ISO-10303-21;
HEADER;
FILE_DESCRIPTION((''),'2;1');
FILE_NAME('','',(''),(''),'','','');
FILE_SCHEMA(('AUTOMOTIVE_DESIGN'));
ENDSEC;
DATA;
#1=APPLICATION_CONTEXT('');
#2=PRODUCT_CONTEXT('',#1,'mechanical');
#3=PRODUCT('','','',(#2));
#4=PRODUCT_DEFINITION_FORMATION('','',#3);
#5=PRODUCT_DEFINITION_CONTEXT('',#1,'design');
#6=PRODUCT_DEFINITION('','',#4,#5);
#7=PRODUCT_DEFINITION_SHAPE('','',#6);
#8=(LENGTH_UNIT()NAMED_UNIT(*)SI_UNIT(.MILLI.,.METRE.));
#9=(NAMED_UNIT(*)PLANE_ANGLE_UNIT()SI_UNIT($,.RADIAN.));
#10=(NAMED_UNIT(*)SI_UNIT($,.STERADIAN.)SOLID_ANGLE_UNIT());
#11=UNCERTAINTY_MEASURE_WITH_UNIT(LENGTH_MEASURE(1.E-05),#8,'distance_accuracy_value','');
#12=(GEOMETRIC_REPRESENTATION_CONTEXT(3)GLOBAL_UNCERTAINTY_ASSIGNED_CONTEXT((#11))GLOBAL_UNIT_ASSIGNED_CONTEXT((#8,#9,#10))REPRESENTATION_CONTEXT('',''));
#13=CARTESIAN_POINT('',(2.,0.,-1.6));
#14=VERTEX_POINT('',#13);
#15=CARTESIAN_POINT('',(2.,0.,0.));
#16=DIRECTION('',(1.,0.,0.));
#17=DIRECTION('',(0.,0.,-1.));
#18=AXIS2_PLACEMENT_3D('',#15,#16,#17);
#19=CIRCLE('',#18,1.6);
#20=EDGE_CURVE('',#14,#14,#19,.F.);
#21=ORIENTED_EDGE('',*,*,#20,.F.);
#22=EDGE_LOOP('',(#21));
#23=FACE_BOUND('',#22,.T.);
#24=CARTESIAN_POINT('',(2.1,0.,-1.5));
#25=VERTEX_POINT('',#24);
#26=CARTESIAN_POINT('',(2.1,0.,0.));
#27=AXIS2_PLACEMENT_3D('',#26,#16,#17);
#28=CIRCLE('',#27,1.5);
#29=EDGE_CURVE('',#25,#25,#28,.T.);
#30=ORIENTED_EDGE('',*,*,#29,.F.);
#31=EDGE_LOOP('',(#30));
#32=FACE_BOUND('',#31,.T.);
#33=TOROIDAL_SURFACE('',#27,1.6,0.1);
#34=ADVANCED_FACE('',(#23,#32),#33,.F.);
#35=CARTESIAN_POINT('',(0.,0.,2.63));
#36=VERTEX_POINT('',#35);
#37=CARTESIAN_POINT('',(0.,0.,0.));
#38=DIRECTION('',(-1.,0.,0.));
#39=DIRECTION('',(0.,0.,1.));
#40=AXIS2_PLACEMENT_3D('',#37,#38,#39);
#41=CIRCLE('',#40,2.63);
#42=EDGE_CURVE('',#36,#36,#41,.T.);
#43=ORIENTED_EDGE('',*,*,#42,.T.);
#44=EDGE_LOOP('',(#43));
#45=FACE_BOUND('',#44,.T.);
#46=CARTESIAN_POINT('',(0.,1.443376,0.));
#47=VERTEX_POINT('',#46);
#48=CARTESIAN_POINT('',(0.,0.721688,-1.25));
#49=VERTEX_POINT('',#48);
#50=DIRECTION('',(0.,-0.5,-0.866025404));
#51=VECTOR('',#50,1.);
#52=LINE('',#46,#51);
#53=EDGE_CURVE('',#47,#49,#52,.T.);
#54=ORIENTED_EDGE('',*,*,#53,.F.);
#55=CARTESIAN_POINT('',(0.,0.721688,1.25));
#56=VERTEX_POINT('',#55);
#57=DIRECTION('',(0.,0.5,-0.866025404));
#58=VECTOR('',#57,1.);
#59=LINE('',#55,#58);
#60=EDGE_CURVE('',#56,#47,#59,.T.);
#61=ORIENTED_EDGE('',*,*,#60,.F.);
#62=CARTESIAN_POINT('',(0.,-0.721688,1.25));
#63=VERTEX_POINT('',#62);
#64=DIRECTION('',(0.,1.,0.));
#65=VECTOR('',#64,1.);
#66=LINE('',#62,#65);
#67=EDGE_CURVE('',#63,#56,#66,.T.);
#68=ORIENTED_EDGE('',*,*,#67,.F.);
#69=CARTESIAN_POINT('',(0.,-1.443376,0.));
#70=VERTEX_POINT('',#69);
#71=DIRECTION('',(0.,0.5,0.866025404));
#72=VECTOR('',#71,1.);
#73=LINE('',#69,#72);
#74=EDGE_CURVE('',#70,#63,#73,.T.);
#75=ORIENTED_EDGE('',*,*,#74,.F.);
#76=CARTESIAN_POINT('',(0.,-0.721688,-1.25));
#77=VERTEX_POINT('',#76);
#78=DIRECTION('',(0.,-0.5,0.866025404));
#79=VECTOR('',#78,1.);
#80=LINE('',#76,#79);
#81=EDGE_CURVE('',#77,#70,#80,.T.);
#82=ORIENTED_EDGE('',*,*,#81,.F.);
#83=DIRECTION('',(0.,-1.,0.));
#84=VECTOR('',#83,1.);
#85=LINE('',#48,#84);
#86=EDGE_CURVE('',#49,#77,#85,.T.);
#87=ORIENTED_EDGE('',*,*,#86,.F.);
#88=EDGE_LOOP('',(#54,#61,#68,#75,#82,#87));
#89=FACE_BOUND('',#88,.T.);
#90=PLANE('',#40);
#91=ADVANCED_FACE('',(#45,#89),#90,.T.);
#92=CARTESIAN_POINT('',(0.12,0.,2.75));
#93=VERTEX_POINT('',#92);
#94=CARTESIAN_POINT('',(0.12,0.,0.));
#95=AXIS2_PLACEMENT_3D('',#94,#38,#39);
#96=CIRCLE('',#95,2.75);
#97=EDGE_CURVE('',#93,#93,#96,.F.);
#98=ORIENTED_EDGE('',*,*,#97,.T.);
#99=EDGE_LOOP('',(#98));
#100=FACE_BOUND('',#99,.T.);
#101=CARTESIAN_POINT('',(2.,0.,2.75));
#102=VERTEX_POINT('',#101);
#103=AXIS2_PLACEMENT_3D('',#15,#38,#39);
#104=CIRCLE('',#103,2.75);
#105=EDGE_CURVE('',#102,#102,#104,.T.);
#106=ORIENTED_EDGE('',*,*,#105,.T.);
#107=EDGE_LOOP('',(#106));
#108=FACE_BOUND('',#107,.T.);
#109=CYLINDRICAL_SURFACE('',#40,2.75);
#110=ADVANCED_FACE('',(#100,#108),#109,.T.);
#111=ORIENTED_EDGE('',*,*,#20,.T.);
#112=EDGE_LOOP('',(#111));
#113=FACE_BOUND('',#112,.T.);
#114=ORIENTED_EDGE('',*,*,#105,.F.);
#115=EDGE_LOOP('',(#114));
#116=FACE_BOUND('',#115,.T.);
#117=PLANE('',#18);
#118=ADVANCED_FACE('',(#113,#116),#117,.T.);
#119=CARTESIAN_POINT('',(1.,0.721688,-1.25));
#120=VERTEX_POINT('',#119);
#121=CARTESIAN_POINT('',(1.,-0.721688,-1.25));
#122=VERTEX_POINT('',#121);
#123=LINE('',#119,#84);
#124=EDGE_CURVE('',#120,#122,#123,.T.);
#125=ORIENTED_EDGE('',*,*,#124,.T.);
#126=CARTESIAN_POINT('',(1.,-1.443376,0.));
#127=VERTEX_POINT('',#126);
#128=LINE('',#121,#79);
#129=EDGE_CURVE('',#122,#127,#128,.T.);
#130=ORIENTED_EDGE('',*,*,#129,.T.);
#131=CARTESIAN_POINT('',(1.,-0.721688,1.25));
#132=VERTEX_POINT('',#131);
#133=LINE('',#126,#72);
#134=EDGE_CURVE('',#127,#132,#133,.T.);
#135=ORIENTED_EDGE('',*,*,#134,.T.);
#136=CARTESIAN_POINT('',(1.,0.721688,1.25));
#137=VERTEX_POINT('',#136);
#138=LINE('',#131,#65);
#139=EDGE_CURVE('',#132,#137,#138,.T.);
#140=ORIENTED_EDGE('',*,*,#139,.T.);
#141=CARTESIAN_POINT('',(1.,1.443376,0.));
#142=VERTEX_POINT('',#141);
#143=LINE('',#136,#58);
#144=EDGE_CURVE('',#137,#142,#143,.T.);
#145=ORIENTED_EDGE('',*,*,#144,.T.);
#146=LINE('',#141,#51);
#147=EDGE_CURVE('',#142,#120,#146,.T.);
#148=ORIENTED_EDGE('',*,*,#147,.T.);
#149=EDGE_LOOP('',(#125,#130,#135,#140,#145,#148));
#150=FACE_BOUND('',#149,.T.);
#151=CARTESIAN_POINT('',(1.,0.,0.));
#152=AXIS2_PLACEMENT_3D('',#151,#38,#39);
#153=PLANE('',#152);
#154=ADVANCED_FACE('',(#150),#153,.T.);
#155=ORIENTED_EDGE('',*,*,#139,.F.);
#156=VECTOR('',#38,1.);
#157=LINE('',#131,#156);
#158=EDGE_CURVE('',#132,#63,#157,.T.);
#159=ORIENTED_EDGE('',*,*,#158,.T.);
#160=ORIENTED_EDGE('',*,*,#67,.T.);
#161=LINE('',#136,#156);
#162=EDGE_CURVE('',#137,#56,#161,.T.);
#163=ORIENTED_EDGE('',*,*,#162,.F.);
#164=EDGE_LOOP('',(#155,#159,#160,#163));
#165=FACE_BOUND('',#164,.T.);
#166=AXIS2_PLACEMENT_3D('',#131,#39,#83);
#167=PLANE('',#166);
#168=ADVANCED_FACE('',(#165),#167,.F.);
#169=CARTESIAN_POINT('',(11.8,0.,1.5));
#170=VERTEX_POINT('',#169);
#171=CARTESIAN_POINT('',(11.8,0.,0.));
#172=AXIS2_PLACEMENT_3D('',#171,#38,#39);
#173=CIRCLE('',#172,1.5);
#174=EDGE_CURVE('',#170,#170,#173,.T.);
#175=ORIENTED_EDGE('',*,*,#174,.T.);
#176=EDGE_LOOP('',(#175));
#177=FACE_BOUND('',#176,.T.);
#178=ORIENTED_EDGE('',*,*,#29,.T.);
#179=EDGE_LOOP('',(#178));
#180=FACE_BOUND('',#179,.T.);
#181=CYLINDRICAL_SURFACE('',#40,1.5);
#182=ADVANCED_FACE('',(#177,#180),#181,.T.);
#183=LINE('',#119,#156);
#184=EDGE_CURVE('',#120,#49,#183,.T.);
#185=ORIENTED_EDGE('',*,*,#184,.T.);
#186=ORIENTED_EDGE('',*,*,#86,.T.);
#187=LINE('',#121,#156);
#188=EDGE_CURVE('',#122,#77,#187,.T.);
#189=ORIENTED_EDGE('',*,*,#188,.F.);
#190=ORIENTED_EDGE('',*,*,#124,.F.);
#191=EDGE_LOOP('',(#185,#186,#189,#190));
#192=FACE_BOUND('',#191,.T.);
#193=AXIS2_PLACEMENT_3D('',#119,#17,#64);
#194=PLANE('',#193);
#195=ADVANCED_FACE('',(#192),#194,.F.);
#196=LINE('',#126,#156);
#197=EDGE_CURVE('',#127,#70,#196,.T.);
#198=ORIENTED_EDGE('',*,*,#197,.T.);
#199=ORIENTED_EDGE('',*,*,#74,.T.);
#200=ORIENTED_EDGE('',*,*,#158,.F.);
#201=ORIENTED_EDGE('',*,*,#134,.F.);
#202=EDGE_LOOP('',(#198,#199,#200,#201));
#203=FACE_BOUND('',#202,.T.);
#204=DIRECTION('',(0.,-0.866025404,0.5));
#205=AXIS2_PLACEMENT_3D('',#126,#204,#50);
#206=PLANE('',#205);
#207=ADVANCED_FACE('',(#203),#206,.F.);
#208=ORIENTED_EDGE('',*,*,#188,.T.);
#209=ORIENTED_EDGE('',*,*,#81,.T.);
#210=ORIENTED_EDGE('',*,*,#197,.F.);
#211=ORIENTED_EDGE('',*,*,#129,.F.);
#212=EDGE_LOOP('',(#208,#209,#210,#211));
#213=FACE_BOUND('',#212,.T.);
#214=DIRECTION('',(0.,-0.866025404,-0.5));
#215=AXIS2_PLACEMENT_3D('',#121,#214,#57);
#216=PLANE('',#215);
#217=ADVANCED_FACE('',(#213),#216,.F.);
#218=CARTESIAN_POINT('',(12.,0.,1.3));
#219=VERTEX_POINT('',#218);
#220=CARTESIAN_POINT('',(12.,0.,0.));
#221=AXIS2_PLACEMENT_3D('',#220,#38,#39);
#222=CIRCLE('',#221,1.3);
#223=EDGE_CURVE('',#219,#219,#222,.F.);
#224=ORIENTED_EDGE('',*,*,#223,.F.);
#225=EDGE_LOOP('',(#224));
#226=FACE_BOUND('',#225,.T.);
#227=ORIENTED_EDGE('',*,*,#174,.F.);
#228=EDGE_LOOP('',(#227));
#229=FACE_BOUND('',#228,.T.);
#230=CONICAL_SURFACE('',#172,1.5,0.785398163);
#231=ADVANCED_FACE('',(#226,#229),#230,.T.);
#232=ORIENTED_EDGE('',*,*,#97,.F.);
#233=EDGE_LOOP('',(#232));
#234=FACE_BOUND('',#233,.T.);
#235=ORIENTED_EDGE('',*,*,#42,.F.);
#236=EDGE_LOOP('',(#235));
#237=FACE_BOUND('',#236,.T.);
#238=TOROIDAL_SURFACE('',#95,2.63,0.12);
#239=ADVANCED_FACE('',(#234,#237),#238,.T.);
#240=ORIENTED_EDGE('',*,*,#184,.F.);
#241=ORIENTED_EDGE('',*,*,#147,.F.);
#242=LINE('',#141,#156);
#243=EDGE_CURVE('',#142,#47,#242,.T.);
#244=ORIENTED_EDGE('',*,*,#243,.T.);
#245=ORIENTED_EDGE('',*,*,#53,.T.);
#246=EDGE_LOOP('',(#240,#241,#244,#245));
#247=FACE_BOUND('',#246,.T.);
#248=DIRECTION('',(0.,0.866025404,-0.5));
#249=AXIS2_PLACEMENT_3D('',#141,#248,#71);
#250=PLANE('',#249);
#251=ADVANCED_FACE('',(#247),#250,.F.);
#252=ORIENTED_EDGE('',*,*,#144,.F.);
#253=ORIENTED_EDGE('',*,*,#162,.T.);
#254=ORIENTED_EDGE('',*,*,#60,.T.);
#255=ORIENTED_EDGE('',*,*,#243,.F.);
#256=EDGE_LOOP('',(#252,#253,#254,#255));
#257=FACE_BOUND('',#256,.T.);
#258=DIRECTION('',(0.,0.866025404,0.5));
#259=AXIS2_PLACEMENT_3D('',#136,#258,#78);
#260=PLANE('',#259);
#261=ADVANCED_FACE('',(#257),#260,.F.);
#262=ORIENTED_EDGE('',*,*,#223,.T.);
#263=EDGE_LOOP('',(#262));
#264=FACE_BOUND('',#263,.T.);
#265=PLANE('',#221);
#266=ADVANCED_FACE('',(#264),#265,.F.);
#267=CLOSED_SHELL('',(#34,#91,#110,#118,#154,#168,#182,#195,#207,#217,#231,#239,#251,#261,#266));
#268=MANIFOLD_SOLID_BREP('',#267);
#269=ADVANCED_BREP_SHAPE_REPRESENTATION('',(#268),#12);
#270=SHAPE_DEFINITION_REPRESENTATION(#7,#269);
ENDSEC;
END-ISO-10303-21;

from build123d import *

# Parameters (mm, degrees)
FILLET1_R      = 0.1
FILLET2_R      = 0.12
CHAMFER1_SIZE  = 0.2
EXTRUDE1_DEPTH = 1


with BuildPart() as part:
    # Sketch1 → Revolve1 (revolve)
    with BuildSketch(Plane.XY, mode=Mode.PRIVATE) as revolve1_sk:
        Polygon((2, 1.5), (2, 0), (4.279914881, 0), (12, 0), (12, 1.5), align=None)
        Polygon((0, 2.75), (0, 0), (2, 0), (2, 1.5), (2, 2.75), align=None)
    revolve(revolve1_sk.sketch.rotate(Axis((0, 0, 0), (1, 0, 0)), 90), axis=Axis((0, 0, 0), (1, 0, 0)))

    # Fillet1
    fillet1_edges = [part.edges().sort_by_distance(p)[0] for p in [
        (2, 0, -1.5),
    ]]
    fillet(fillet1_edges, radius=FILLET1_R)

    # Fillet2
    fillet2_edges = [part.edges().sort_by_distance(p)[0] for p in [
        (0, 0, -2.75),
    ]]
    fillet(fillet2_edges, radius=FILLET2_R)

    # Chamfer1
    chamfer1_edges = [part.edges().sort_by_distance(p)[0] for p in [
        (12, 0, -1.5),
    ]]
    chamfer(chamfer1_edges, length=CHAMFER1_SIZE)

    # Sketch2 → Extrude1 (cut)
    with BuildSketch(Plane.ZY):
        Polygon((0, 1.443375673), (-1.25, 0.721687836), (-1.25, -0.721687836), (0, -1.443375673), (1.25, -0.721687836), (1.25, 0.721687836), align=None)
    extrude(amount=-EXTRUDE1_DEPTH, mode=Mode.SUBTRACT)


solid = part.part
